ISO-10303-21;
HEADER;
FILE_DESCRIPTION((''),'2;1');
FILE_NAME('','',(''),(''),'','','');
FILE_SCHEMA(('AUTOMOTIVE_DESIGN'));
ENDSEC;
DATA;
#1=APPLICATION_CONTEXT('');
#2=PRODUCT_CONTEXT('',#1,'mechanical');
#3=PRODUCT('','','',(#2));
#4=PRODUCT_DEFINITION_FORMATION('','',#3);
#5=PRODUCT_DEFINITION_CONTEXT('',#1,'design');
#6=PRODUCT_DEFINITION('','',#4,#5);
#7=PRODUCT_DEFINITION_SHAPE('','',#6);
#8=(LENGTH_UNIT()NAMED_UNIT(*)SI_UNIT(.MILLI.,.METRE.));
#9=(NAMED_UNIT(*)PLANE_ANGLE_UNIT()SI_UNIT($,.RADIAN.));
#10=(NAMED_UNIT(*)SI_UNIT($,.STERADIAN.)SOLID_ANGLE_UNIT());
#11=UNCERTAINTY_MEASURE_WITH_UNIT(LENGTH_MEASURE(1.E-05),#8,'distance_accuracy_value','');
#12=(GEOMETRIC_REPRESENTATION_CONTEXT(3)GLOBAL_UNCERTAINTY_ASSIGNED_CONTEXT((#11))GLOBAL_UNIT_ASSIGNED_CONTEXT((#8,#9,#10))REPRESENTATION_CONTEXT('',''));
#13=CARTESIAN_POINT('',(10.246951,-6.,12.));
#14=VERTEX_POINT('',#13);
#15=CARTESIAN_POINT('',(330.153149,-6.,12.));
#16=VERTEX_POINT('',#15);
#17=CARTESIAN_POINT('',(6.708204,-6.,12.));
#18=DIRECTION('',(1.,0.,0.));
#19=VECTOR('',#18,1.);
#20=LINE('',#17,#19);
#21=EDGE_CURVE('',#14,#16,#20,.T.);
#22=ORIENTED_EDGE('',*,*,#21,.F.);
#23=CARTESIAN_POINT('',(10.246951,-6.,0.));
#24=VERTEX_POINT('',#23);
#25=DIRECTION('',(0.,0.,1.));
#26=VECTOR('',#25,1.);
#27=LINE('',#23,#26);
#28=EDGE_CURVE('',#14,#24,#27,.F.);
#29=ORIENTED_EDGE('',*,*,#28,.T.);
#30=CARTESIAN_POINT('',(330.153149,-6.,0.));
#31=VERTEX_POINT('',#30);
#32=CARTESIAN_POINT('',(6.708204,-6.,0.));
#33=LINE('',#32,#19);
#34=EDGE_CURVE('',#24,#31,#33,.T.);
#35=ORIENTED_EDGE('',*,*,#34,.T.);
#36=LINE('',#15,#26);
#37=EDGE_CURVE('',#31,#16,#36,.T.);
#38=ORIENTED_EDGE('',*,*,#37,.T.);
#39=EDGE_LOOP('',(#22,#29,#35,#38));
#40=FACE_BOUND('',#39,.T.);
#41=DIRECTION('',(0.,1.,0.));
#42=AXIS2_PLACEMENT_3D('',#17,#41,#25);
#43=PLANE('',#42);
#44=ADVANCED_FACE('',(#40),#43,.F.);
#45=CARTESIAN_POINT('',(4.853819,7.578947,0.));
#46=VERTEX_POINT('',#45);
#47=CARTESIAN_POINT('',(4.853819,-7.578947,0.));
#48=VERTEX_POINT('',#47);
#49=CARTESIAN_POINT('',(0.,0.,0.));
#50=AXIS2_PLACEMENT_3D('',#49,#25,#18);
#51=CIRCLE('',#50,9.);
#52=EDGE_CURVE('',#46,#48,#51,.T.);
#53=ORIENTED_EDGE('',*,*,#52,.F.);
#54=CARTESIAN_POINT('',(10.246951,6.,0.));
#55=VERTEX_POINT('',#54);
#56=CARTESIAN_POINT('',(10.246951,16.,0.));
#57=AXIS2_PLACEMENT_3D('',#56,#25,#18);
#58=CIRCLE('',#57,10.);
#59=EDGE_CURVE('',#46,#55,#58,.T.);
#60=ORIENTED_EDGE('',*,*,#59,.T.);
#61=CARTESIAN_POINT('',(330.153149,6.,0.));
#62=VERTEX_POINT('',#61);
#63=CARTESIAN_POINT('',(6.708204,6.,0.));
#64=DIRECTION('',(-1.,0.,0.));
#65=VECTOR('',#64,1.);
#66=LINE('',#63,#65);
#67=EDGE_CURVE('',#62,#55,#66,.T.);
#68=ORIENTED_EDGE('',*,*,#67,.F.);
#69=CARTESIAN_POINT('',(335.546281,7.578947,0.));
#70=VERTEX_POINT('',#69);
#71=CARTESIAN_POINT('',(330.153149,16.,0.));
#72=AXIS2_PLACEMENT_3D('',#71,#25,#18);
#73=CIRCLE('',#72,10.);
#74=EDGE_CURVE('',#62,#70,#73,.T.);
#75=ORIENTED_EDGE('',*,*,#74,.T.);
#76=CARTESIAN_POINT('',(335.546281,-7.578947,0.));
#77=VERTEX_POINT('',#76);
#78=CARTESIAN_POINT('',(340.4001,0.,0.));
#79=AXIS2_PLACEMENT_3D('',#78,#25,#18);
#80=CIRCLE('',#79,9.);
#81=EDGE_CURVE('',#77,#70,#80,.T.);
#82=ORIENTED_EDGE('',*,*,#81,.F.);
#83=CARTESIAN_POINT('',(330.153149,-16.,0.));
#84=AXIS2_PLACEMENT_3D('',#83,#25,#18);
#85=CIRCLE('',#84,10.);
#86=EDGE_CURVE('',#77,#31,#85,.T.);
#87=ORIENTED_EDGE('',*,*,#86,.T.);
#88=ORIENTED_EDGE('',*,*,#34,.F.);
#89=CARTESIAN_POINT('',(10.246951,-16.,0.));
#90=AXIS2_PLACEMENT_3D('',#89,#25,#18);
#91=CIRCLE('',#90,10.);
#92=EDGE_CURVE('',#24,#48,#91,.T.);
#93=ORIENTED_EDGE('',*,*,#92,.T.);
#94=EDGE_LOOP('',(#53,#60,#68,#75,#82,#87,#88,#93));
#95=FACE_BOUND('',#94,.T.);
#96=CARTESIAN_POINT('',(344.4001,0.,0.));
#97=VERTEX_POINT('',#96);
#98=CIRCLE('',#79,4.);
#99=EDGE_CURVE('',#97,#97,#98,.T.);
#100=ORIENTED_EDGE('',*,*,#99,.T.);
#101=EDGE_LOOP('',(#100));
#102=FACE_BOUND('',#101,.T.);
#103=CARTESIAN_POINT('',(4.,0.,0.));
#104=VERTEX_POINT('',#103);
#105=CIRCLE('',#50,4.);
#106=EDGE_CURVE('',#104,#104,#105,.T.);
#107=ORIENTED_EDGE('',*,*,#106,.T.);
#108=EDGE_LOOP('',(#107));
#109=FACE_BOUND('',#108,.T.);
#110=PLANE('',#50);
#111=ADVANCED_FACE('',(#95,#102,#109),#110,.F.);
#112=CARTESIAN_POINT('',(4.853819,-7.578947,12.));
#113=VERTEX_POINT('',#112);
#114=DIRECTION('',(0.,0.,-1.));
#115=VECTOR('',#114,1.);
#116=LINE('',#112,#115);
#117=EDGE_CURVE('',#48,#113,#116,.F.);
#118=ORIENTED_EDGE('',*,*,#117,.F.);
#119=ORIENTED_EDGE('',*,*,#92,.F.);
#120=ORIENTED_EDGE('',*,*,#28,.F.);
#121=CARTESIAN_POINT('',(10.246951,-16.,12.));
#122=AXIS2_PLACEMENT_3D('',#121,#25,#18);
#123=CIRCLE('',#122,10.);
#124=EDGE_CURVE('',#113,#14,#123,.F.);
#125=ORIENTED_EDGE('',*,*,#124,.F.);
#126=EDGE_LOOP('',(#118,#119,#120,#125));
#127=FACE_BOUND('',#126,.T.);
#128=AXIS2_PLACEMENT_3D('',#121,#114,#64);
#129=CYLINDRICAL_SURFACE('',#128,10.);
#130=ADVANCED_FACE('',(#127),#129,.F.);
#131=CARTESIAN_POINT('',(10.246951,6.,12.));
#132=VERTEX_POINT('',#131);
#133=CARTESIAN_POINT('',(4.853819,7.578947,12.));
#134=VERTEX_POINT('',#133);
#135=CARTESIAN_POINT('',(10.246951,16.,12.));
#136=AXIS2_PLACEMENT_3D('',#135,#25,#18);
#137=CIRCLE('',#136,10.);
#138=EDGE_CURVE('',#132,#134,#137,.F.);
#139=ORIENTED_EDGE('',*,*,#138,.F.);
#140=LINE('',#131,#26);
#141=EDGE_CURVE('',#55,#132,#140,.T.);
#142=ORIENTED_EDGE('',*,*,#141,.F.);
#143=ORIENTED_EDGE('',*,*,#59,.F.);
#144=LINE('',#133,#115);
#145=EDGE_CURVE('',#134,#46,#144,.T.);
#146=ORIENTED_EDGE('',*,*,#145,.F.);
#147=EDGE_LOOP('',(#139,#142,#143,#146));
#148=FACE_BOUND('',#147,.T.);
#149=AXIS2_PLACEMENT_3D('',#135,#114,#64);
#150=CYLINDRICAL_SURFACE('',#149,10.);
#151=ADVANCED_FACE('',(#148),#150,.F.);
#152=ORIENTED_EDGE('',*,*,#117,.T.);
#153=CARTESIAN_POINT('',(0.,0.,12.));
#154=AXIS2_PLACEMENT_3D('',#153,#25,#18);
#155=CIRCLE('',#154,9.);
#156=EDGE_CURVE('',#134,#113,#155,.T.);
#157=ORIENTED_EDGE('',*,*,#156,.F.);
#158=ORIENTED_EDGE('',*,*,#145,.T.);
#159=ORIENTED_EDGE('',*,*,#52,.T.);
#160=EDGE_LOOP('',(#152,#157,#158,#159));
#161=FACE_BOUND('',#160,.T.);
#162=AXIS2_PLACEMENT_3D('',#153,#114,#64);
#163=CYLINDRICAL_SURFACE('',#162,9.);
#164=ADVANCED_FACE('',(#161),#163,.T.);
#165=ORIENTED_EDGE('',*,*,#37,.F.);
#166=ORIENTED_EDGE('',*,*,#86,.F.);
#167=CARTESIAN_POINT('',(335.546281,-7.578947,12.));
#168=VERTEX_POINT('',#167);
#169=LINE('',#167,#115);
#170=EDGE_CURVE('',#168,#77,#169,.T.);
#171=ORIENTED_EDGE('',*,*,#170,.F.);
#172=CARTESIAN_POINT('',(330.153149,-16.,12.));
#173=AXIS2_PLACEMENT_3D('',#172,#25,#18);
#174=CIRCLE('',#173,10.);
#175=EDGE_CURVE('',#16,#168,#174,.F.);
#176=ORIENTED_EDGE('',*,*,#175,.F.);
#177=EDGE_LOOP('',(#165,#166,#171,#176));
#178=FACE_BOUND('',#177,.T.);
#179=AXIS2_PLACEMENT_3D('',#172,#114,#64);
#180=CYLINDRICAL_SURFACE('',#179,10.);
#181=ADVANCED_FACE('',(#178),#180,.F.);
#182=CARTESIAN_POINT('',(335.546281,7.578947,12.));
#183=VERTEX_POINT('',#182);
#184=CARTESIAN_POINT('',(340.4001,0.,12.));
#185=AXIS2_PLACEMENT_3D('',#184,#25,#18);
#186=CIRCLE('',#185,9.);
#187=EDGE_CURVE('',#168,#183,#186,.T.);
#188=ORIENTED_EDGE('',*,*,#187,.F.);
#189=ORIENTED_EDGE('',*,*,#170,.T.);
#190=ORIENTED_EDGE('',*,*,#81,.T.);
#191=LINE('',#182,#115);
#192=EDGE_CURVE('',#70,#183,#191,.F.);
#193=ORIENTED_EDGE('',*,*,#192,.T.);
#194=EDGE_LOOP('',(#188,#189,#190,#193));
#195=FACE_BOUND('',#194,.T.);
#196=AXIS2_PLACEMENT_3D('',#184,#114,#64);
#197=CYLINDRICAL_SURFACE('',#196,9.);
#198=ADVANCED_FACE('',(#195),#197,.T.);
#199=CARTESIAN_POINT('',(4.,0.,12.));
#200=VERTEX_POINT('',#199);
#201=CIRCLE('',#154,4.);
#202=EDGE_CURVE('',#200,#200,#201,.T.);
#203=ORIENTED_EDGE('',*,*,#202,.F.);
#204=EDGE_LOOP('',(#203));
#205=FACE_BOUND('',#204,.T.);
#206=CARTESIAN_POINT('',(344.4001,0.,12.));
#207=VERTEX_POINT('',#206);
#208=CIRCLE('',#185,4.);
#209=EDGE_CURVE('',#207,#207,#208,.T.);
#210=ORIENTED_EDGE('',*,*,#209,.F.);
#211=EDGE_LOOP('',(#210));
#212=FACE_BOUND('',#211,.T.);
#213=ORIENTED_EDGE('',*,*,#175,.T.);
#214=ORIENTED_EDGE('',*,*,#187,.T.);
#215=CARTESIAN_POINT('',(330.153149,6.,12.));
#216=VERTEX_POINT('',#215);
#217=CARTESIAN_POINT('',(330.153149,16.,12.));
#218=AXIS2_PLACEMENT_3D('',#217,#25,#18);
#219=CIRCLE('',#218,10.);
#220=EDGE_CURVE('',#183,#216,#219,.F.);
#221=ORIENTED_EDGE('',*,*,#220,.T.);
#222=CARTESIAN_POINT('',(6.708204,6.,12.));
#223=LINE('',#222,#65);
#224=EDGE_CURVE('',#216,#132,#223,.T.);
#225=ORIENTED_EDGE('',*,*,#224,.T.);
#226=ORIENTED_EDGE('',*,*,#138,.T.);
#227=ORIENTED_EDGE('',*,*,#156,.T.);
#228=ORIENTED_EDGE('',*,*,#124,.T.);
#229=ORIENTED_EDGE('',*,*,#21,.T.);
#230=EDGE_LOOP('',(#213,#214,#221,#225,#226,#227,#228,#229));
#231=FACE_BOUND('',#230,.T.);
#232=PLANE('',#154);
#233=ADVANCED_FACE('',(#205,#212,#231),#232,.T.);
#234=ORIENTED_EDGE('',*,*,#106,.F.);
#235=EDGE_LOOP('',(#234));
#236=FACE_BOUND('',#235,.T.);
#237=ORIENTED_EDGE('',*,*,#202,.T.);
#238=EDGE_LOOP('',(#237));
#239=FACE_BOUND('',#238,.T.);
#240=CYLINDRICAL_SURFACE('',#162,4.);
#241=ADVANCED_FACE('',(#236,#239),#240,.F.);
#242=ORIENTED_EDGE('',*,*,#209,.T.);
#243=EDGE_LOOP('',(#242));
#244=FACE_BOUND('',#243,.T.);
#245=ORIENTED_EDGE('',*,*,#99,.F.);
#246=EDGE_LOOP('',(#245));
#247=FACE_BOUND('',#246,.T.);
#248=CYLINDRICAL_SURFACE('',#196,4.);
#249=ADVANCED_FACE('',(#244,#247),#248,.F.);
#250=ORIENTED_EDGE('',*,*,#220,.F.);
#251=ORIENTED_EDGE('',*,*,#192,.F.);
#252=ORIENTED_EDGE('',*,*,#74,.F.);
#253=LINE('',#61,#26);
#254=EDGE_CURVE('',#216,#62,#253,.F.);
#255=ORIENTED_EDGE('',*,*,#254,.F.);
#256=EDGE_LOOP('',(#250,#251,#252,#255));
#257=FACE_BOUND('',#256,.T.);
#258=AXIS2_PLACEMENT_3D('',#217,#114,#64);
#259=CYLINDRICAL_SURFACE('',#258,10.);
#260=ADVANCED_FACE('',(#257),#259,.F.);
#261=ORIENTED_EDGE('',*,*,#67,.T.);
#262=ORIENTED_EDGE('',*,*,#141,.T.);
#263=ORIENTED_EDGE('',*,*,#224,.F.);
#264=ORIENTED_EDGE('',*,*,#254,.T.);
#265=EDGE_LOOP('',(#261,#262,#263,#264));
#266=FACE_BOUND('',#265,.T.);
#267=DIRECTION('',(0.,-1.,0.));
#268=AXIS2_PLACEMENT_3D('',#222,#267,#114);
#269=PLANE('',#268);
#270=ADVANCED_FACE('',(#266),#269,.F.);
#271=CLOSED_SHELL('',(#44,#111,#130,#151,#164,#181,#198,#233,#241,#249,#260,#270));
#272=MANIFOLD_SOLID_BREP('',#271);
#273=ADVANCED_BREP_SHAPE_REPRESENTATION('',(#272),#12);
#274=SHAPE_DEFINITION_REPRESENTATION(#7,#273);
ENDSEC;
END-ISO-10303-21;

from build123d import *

# Parameters (mm, degrees)
SKETCH1_R           = 4
BOSS_EXTRUDE1_DEPTH = 12
FILLET1_R           = 10


with BuildPart() as part:
    # Sketch1 → Boss-Extrude1 (new body)
    with BuildSketch(Plane.XY):
        with BuildLine():
            Line((333.691896068, 6), (6.708203932, 6))
            ThreePointArc((6.708203932, 6), (-9, 0), (6.708203932, -6))
            Line((6.708203932, -6), (333.691896068, -6))
            ThreePointArc((333.691896068, -6), (349.4001, 0), (333.691896068, 6))
        make_face()
        Circle(SKETCH1_R, mode=Mode.SUBTRACT)
        with Locations((340.4001, 0)):
            Circle(SKETCH1_R, mode=Mode.SUBTRACT)
    extrude(amount=BOSS_EXTRUDE1_DEPTH)

    # Fillet1
    fillet1_edges = [part.edges().sort_by_distance(p)[0] for p in [
        (6.708203932, 6, 6),
        (333.691896068, 6, 6),
        (333.691896068, -6, 6),
        (6.708203932, -6, 6),
    ]]
    fillet(fillet1_edges, radius=FILLET1_R)


solid = part.part
